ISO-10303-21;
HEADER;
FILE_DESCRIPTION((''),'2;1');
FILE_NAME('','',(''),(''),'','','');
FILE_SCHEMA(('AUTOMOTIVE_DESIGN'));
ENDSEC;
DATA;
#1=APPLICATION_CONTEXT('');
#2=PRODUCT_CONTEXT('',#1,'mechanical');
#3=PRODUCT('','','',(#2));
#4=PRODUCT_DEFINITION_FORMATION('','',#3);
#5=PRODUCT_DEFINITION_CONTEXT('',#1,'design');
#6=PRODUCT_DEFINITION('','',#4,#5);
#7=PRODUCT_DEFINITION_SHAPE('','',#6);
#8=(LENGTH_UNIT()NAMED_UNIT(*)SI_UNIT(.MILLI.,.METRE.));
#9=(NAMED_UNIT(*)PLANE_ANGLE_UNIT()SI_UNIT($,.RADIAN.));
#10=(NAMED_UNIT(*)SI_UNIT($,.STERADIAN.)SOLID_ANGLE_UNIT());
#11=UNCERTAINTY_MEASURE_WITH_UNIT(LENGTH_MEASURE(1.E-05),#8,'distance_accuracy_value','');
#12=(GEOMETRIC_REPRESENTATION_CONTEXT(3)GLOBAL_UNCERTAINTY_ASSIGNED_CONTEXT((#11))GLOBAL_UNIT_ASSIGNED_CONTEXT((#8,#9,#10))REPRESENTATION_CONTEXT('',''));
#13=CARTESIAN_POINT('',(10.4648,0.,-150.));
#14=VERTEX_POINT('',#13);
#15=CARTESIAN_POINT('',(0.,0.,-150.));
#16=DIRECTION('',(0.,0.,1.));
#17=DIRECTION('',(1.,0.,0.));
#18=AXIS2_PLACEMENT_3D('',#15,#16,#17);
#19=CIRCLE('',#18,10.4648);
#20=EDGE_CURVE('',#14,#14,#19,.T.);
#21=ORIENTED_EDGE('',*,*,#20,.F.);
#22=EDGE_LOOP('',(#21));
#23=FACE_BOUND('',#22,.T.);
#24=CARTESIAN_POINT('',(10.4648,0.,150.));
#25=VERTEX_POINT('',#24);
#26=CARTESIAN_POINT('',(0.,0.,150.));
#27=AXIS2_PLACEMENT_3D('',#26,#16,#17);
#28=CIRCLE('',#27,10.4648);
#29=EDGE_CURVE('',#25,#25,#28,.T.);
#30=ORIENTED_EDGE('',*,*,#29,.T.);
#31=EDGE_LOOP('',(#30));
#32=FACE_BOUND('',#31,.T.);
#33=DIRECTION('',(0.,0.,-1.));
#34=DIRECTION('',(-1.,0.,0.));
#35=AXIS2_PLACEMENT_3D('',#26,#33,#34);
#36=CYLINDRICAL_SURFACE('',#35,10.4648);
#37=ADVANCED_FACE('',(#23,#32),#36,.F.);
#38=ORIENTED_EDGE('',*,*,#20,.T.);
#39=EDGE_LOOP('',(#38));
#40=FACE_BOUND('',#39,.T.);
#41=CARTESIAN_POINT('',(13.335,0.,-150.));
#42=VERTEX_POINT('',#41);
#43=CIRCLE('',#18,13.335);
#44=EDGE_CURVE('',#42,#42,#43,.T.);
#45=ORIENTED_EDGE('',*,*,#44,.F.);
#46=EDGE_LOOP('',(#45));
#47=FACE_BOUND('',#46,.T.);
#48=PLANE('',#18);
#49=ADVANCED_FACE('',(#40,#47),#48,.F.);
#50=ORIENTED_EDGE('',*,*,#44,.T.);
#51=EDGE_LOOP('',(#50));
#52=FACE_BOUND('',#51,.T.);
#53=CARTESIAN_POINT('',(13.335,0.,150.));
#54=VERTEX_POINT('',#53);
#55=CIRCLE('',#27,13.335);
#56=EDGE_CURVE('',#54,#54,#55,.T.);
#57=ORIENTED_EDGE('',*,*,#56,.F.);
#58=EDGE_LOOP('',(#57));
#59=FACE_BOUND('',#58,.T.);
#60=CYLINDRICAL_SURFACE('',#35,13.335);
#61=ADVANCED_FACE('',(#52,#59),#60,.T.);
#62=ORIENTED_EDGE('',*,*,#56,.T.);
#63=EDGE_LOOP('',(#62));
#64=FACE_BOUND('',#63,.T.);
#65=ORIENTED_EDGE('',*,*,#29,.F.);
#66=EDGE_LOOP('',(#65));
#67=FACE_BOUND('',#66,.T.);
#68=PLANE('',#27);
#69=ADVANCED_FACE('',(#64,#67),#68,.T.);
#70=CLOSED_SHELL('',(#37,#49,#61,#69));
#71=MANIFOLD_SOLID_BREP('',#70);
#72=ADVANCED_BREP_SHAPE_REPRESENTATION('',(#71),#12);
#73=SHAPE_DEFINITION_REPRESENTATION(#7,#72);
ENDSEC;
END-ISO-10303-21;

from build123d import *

# Parameters (mm, degrees)
SKETCH1_R           = 13.335
SKETCH1_R_2         = 10.4648
EXTRUDE_THIN1_DEPTH = 150


with BuildPart() as part:
    # Sketch1 → Extrude-Thin1 (new body, symmetric)
    with BuildSketch(Plane.XY):
        Circle(SKETCH1_R)
        Circle(SKETCH1_R_2, mode=Mode.SUBTRACT)
    extrude(amount=EXTRUDE_THIN1_DEPTH, both=True)


solid = part.part
